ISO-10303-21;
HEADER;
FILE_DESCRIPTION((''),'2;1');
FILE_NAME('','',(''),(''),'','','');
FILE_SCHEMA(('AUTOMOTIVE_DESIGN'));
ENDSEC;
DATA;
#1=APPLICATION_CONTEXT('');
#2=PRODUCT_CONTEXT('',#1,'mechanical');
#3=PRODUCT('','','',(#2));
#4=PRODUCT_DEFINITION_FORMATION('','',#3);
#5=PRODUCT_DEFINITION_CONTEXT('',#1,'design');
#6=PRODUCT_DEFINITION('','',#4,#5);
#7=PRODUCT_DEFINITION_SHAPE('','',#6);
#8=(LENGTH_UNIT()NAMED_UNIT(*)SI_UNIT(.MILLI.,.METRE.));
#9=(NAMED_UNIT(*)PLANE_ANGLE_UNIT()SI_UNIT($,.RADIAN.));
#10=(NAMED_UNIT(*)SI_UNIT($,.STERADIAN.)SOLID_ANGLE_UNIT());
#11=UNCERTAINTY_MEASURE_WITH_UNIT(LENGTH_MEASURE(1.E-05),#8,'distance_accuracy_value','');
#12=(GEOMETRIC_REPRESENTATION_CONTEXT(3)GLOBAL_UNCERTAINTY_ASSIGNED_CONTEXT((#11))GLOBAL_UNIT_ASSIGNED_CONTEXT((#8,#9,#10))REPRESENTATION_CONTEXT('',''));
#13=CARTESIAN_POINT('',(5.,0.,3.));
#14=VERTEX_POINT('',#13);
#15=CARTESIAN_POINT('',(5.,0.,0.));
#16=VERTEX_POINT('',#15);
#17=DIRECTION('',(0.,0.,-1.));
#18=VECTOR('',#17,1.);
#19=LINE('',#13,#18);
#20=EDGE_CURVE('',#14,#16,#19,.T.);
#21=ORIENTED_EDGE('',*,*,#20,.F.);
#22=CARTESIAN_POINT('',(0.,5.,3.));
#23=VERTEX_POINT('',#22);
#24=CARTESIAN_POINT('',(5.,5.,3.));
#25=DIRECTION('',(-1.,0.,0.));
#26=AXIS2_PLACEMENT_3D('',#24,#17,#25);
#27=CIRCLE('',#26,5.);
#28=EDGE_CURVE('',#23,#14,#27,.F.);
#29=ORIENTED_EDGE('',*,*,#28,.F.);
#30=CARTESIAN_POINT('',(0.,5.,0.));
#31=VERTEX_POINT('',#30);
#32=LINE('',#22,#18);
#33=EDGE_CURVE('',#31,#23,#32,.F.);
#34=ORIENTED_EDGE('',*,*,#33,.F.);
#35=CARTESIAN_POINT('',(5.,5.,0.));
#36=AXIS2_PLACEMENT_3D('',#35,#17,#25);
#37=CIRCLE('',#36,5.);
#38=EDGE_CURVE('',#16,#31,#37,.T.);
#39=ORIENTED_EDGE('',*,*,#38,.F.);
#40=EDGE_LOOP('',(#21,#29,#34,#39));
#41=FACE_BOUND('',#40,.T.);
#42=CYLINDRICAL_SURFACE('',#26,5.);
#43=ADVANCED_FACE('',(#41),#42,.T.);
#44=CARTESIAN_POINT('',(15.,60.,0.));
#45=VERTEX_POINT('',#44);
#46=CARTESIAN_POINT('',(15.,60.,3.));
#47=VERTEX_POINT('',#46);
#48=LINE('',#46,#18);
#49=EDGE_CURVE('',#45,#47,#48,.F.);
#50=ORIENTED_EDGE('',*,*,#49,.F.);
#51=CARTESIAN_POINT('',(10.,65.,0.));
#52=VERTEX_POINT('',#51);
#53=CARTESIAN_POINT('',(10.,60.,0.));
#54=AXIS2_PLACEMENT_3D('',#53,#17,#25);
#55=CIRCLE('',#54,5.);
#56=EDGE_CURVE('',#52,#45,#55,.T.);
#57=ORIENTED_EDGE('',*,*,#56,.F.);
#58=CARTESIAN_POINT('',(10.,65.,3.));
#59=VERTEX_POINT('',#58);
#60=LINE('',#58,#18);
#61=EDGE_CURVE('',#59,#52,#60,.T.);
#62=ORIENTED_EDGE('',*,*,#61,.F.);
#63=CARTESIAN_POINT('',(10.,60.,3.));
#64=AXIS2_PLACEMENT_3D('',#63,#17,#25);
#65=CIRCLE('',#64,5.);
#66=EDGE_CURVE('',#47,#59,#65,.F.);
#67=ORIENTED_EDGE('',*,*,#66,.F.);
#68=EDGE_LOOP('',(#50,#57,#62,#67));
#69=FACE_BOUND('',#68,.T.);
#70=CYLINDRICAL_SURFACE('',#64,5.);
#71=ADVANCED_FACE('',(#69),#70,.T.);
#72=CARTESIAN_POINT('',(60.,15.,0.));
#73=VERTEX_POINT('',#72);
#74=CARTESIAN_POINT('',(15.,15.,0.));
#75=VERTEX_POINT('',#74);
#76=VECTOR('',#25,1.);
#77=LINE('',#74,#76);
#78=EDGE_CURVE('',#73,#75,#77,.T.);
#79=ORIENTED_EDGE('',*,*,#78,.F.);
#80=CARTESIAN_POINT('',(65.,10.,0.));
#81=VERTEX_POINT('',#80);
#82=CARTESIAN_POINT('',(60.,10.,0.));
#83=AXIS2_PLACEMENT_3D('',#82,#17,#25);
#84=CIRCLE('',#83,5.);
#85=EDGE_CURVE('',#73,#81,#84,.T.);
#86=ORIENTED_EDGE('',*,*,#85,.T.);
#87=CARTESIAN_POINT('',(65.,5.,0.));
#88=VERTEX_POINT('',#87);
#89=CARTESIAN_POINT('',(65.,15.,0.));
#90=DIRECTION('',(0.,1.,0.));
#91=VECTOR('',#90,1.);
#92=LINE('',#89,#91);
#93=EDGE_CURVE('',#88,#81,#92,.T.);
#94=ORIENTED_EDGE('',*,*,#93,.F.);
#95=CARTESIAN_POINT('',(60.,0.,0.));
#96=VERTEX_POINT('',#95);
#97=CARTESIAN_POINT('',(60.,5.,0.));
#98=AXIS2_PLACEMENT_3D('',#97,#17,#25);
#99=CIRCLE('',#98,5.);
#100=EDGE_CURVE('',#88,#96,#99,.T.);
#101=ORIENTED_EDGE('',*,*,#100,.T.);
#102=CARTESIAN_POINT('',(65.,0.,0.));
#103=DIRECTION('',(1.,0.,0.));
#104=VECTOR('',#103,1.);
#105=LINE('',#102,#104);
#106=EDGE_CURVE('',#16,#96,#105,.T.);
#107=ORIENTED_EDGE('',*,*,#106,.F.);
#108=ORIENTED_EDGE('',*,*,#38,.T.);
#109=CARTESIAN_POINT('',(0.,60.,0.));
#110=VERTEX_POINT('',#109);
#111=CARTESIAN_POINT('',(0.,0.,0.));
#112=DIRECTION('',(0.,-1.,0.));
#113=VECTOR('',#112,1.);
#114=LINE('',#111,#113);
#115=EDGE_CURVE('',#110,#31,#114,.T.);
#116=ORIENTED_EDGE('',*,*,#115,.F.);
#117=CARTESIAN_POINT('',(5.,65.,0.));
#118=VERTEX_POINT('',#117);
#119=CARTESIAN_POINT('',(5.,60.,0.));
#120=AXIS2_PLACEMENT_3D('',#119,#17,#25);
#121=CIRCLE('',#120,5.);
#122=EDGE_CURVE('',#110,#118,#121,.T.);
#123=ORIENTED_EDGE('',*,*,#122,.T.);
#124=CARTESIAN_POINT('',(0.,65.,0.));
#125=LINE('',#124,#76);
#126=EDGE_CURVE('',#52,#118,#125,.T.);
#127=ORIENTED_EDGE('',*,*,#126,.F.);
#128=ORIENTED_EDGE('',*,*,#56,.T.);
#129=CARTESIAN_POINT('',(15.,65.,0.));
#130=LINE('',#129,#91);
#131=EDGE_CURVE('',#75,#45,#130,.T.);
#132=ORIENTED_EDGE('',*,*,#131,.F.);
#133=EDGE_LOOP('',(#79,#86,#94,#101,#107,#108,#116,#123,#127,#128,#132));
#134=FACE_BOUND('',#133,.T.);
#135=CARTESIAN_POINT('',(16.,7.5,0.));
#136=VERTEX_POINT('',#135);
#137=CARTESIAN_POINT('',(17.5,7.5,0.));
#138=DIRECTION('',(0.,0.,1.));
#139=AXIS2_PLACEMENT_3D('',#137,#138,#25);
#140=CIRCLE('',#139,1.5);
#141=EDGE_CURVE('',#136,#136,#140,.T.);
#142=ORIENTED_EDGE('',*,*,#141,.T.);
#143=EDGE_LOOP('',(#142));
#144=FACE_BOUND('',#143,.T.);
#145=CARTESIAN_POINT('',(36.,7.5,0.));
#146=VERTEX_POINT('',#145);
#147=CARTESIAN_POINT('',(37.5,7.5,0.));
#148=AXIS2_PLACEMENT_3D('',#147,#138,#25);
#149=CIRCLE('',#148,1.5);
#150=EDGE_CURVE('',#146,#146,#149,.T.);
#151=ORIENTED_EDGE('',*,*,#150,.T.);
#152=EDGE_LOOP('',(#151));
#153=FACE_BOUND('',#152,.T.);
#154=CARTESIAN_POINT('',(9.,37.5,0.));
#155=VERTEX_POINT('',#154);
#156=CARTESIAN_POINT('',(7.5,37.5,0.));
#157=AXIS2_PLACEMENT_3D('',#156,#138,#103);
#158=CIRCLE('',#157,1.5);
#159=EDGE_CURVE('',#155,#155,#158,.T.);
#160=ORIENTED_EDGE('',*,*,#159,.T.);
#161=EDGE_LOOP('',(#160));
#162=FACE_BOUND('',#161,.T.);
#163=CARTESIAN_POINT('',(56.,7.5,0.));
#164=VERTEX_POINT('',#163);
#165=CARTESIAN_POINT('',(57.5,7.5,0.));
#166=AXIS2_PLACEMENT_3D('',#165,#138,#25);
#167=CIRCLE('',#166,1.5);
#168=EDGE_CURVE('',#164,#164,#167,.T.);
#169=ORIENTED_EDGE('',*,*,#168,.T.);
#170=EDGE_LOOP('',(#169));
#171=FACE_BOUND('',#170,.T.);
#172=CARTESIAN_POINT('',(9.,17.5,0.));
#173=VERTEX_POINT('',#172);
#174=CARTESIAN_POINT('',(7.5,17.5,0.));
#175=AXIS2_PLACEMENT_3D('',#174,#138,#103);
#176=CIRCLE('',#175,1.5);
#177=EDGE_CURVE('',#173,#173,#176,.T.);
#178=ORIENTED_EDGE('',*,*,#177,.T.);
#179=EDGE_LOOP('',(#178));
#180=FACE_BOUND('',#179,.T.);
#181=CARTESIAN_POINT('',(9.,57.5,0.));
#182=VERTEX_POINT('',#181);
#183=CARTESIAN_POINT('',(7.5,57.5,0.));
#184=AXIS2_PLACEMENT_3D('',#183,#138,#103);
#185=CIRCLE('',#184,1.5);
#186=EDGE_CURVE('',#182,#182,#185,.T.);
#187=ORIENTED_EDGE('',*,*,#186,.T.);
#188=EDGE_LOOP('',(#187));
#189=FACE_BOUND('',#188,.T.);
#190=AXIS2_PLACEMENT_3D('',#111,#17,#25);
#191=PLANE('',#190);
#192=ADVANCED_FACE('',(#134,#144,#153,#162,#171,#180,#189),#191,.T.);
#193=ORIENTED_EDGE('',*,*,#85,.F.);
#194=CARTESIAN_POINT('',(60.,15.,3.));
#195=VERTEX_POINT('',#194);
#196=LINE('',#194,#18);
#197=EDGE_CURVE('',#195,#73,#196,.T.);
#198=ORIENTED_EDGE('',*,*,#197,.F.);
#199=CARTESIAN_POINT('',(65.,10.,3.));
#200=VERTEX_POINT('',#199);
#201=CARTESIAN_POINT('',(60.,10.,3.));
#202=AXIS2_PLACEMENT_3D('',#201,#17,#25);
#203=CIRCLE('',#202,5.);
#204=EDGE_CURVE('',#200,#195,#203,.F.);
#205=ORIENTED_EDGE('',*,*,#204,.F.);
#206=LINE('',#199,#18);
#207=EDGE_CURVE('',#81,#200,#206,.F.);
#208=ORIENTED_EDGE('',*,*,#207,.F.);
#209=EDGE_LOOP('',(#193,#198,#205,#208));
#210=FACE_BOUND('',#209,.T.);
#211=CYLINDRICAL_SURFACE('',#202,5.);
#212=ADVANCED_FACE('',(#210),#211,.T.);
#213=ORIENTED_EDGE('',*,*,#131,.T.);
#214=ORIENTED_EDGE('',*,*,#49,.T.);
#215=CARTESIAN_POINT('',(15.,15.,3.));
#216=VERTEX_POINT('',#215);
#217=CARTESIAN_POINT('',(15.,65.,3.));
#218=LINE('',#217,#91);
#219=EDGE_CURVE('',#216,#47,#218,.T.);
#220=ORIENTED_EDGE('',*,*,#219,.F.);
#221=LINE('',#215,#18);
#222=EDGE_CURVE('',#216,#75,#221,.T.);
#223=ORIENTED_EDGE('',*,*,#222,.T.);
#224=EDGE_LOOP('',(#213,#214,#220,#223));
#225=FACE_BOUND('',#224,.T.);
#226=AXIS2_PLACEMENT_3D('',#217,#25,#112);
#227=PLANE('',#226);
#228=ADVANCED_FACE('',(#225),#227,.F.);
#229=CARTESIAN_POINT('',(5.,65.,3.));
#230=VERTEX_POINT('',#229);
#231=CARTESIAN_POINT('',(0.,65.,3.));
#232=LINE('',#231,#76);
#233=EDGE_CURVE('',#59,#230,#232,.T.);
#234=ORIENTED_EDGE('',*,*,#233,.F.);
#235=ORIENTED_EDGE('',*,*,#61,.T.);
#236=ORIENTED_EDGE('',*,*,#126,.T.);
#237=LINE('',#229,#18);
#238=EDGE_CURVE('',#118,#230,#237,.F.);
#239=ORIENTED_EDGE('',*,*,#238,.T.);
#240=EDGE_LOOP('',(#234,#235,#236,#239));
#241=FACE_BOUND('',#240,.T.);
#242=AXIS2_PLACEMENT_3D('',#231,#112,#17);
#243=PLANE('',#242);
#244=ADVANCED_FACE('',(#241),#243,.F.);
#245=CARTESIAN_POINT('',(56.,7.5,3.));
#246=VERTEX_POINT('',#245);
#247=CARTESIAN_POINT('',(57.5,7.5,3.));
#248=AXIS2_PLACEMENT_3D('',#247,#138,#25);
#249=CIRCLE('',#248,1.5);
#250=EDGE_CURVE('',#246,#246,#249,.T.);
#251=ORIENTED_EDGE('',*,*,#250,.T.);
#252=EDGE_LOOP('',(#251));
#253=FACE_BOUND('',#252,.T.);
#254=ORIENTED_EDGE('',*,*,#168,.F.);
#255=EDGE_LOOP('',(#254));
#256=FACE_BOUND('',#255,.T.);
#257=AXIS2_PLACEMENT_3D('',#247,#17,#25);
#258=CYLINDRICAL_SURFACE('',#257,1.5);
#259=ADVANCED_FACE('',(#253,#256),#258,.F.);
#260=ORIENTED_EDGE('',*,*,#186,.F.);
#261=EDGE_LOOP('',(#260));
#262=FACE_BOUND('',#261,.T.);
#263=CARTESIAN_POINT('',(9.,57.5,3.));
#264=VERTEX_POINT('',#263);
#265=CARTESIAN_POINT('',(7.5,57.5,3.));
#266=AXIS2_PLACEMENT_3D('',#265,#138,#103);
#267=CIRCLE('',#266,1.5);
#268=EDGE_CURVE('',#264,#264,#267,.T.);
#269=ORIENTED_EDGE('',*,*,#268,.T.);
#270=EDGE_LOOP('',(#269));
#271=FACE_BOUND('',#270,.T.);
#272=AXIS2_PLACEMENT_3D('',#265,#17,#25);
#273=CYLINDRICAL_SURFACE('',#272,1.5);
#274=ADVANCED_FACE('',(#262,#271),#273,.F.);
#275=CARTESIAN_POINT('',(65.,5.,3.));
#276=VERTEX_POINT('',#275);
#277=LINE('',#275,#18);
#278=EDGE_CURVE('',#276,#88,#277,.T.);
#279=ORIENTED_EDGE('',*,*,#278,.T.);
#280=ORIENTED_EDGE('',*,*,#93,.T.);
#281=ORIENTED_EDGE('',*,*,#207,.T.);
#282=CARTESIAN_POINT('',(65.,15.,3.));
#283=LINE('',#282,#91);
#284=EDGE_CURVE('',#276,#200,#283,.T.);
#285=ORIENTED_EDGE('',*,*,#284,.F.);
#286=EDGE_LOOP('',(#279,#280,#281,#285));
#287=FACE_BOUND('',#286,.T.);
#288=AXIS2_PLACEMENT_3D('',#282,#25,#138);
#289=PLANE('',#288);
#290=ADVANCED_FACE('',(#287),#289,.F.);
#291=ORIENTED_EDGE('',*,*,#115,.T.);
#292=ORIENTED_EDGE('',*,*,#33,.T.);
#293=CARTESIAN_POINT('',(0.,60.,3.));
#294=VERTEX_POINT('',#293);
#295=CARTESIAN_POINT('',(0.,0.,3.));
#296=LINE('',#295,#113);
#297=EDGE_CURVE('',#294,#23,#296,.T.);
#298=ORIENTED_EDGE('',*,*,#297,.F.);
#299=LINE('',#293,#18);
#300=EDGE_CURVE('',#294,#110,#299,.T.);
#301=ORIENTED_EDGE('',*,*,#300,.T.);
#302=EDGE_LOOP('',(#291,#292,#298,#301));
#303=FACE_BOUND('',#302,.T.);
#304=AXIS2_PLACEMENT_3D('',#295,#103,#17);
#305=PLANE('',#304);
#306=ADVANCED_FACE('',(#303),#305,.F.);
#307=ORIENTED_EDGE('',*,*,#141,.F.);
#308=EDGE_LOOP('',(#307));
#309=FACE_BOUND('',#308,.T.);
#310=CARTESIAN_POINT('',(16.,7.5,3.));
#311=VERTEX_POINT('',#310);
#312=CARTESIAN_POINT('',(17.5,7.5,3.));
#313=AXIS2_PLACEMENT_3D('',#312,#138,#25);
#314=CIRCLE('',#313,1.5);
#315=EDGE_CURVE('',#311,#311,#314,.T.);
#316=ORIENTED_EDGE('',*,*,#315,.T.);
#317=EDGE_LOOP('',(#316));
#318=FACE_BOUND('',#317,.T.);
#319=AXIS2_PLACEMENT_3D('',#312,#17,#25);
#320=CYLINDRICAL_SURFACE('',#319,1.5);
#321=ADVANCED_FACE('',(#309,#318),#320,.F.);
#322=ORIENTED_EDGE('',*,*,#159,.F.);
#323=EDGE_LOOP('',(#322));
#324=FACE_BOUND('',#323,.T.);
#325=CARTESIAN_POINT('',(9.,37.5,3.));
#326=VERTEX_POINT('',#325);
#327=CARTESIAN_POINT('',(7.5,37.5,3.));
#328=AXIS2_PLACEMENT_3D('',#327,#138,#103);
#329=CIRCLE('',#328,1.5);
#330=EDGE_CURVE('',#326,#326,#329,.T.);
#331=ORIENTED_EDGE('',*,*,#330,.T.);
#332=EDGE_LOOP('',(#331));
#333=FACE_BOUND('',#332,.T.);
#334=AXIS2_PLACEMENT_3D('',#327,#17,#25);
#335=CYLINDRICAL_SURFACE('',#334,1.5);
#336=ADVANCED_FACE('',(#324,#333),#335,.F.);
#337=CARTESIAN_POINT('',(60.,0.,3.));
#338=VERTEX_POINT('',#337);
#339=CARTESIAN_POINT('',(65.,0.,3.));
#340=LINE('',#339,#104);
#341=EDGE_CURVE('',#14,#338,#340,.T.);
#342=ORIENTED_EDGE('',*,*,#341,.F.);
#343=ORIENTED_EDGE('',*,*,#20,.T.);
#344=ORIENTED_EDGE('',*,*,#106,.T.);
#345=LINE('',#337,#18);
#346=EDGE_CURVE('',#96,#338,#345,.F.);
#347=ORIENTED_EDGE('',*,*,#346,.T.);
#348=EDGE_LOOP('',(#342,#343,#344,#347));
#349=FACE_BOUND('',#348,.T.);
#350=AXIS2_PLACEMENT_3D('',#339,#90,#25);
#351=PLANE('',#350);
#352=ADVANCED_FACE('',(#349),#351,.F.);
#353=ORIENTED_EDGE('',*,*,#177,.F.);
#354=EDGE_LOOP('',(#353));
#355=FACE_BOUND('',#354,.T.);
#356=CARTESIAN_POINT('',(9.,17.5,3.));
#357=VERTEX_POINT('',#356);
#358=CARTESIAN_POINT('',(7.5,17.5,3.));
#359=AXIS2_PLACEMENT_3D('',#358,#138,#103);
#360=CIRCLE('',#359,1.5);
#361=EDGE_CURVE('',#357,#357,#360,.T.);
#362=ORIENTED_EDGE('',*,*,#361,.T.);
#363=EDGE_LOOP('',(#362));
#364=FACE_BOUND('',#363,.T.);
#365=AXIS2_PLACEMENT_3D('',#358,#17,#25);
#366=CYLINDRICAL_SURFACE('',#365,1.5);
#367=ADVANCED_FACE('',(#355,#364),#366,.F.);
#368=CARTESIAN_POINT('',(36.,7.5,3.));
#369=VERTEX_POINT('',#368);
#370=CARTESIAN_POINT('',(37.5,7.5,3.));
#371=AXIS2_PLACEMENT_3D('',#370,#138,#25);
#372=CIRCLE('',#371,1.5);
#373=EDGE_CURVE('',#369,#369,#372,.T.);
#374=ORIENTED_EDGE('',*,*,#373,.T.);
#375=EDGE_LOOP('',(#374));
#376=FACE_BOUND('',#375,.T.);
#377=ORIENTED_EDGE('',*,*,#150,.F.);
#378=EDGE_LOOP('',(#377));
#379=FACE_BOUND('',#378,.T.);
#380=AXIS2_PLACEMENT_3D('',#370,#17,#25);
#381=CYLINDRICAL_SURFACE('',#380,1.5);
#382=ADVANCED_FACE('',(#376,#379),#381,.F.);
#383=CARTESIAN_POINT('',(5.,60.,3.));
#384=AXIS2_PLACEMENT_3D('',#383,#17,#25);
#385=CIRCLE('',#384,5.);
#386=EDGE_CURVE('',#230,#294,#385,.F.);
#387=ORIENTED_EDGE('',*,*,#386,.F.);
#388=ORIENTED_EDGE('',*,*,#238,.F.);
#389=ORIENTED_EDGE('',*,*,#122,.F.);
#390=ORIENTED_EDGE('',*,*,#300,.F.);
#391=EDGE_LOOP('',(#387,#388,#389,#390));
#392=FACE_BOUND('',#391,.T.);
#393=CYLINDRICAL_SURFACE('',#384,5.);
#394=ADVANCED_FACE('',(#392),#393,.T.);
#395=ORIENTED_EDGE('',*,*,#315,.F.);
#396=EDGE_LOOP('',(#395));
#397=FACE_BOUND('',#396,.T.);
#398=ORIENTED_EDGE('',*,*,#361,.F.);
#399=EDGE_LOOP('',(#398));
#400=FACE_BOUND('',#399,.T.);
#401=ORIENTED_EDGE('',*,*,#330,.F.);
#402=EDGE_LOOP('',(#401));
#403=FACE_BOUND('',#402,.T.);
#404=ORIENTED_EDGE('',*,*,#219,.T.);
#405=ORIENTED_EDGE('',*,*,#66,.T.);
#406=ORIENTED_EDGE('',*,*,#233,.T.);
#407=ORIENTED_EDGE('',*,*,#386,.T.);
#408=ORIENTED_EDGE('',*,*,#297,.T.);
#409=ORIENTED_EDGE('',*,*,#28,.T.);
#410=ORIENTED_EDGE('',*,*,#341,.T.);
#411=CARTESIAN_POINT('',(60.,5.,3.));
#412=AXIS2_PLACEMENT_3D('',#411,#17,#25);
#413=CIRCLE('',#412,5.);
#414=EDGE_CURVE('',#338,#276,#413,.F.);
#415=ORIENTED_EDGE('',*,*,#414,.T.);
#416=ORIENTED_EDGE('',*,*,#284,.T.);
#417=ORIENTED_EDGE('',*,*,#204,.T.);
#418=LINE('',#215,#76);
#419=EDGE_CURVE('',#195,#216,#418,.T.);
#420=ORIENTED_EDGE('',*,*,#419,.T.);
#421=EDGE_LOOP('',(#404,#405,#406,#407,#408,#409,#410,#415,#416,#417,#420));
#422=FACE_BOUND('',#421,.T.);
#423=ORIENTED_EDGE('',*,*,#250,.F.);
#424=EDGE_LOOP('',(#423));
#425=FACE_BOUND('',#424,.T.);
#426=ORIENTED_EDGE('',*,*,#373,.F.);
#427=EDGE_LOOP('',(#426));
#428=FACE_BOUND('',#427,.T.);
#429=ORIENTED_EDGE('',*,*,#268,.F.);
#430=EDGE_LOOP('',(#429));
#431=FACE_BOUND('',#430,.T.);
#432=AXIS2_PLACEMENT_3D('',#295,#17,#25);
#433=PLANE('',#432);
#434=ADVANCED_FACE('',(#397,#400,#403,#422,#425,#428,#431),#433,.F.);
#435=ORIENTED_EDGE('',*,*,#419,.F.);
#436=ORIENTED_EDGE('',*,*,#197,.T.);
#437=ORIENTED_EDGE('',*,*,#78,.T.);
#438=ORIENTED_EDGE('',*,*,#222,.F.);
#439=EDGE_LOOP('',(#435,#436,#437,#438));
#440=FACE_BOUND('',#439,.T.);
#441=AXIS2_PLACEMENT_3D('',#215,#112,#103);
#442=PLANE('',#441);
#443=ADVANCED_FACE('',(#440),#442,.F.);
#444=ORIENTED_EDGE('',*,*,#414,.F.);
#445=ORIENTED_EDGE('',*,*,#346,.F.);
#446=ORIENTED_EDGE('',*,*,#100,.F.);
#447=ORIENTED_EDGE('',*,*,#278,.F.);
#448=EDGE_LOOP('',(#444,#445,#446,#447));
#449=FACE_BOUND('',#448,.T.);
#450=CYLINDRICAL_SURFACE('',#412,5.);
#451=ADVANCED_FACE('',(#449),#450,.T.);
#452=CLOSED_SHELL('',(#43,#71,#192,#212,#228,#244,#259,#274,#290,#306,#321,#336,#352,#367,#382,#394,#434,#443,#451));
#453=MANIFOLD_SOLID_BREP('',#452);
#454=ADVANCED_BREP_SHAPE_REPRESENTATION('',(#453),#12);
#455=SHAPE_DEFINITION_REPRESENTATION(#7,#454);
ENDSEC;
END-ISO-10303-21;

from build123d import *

# Parameters (mm, degrees)
SKETCH_1_R      = 1.5
EXTRUDE_1_DEPTH = 3
FILLET_1_R      = 5


with BuildPart() as part:
    # 草图1 → 凸台-拉伸1 (new body)
    with BuildSketch(Plane.XY):
        Polygon((0, 0), (0, 65), (15, 65), (15, 15), (65, 15), (65, 0), align=None)
        with Locations((7.5, 57.5)):
            Circle(SKETCH_1_R, mode=Mode.SUBTRACT)
        with Locations((7.5, 37.5)):
            Circle(SKETCH_1_R, mode=Mode.SUBTRACT)
        with Locations((7.5, 17.5)):
            Circle(SKETCH_1_R, mode=Mode.SUBTRACT)
        with Locations(Location((57.5, 7.5, 0), (0, 0, 180))):
            Circle(SKETCH_1_R, mode=Mode.SUBTRACT)
        with Locations(Location((37.5, 7.5, 0), (0, 0, 180))):
            Circle(SKETCH_1_R, mode=Mode.SUBTRACT)
        with Locations(Location((17.5, 7.5, 0), (0, 0, 180))):
            Circle(SKETCH_1_R, mode=Mode.SUBTRACT)
    extrude(amount=EXTRUDE_1_DEPTH)

    # 圆角1
    fillet_1_edges = [part.edges().sort_by_distance(p)[0] for p in [
        (0, 0, 1.5),
        (0, 65, 1.5),
        (15, 65, 1.5),
        (65, 15, 1.5),
        (65, 0, 1.5),
    ]]
    fillet(fillet_1_edges, radius=FILLET_1_R)


solid = part.part
